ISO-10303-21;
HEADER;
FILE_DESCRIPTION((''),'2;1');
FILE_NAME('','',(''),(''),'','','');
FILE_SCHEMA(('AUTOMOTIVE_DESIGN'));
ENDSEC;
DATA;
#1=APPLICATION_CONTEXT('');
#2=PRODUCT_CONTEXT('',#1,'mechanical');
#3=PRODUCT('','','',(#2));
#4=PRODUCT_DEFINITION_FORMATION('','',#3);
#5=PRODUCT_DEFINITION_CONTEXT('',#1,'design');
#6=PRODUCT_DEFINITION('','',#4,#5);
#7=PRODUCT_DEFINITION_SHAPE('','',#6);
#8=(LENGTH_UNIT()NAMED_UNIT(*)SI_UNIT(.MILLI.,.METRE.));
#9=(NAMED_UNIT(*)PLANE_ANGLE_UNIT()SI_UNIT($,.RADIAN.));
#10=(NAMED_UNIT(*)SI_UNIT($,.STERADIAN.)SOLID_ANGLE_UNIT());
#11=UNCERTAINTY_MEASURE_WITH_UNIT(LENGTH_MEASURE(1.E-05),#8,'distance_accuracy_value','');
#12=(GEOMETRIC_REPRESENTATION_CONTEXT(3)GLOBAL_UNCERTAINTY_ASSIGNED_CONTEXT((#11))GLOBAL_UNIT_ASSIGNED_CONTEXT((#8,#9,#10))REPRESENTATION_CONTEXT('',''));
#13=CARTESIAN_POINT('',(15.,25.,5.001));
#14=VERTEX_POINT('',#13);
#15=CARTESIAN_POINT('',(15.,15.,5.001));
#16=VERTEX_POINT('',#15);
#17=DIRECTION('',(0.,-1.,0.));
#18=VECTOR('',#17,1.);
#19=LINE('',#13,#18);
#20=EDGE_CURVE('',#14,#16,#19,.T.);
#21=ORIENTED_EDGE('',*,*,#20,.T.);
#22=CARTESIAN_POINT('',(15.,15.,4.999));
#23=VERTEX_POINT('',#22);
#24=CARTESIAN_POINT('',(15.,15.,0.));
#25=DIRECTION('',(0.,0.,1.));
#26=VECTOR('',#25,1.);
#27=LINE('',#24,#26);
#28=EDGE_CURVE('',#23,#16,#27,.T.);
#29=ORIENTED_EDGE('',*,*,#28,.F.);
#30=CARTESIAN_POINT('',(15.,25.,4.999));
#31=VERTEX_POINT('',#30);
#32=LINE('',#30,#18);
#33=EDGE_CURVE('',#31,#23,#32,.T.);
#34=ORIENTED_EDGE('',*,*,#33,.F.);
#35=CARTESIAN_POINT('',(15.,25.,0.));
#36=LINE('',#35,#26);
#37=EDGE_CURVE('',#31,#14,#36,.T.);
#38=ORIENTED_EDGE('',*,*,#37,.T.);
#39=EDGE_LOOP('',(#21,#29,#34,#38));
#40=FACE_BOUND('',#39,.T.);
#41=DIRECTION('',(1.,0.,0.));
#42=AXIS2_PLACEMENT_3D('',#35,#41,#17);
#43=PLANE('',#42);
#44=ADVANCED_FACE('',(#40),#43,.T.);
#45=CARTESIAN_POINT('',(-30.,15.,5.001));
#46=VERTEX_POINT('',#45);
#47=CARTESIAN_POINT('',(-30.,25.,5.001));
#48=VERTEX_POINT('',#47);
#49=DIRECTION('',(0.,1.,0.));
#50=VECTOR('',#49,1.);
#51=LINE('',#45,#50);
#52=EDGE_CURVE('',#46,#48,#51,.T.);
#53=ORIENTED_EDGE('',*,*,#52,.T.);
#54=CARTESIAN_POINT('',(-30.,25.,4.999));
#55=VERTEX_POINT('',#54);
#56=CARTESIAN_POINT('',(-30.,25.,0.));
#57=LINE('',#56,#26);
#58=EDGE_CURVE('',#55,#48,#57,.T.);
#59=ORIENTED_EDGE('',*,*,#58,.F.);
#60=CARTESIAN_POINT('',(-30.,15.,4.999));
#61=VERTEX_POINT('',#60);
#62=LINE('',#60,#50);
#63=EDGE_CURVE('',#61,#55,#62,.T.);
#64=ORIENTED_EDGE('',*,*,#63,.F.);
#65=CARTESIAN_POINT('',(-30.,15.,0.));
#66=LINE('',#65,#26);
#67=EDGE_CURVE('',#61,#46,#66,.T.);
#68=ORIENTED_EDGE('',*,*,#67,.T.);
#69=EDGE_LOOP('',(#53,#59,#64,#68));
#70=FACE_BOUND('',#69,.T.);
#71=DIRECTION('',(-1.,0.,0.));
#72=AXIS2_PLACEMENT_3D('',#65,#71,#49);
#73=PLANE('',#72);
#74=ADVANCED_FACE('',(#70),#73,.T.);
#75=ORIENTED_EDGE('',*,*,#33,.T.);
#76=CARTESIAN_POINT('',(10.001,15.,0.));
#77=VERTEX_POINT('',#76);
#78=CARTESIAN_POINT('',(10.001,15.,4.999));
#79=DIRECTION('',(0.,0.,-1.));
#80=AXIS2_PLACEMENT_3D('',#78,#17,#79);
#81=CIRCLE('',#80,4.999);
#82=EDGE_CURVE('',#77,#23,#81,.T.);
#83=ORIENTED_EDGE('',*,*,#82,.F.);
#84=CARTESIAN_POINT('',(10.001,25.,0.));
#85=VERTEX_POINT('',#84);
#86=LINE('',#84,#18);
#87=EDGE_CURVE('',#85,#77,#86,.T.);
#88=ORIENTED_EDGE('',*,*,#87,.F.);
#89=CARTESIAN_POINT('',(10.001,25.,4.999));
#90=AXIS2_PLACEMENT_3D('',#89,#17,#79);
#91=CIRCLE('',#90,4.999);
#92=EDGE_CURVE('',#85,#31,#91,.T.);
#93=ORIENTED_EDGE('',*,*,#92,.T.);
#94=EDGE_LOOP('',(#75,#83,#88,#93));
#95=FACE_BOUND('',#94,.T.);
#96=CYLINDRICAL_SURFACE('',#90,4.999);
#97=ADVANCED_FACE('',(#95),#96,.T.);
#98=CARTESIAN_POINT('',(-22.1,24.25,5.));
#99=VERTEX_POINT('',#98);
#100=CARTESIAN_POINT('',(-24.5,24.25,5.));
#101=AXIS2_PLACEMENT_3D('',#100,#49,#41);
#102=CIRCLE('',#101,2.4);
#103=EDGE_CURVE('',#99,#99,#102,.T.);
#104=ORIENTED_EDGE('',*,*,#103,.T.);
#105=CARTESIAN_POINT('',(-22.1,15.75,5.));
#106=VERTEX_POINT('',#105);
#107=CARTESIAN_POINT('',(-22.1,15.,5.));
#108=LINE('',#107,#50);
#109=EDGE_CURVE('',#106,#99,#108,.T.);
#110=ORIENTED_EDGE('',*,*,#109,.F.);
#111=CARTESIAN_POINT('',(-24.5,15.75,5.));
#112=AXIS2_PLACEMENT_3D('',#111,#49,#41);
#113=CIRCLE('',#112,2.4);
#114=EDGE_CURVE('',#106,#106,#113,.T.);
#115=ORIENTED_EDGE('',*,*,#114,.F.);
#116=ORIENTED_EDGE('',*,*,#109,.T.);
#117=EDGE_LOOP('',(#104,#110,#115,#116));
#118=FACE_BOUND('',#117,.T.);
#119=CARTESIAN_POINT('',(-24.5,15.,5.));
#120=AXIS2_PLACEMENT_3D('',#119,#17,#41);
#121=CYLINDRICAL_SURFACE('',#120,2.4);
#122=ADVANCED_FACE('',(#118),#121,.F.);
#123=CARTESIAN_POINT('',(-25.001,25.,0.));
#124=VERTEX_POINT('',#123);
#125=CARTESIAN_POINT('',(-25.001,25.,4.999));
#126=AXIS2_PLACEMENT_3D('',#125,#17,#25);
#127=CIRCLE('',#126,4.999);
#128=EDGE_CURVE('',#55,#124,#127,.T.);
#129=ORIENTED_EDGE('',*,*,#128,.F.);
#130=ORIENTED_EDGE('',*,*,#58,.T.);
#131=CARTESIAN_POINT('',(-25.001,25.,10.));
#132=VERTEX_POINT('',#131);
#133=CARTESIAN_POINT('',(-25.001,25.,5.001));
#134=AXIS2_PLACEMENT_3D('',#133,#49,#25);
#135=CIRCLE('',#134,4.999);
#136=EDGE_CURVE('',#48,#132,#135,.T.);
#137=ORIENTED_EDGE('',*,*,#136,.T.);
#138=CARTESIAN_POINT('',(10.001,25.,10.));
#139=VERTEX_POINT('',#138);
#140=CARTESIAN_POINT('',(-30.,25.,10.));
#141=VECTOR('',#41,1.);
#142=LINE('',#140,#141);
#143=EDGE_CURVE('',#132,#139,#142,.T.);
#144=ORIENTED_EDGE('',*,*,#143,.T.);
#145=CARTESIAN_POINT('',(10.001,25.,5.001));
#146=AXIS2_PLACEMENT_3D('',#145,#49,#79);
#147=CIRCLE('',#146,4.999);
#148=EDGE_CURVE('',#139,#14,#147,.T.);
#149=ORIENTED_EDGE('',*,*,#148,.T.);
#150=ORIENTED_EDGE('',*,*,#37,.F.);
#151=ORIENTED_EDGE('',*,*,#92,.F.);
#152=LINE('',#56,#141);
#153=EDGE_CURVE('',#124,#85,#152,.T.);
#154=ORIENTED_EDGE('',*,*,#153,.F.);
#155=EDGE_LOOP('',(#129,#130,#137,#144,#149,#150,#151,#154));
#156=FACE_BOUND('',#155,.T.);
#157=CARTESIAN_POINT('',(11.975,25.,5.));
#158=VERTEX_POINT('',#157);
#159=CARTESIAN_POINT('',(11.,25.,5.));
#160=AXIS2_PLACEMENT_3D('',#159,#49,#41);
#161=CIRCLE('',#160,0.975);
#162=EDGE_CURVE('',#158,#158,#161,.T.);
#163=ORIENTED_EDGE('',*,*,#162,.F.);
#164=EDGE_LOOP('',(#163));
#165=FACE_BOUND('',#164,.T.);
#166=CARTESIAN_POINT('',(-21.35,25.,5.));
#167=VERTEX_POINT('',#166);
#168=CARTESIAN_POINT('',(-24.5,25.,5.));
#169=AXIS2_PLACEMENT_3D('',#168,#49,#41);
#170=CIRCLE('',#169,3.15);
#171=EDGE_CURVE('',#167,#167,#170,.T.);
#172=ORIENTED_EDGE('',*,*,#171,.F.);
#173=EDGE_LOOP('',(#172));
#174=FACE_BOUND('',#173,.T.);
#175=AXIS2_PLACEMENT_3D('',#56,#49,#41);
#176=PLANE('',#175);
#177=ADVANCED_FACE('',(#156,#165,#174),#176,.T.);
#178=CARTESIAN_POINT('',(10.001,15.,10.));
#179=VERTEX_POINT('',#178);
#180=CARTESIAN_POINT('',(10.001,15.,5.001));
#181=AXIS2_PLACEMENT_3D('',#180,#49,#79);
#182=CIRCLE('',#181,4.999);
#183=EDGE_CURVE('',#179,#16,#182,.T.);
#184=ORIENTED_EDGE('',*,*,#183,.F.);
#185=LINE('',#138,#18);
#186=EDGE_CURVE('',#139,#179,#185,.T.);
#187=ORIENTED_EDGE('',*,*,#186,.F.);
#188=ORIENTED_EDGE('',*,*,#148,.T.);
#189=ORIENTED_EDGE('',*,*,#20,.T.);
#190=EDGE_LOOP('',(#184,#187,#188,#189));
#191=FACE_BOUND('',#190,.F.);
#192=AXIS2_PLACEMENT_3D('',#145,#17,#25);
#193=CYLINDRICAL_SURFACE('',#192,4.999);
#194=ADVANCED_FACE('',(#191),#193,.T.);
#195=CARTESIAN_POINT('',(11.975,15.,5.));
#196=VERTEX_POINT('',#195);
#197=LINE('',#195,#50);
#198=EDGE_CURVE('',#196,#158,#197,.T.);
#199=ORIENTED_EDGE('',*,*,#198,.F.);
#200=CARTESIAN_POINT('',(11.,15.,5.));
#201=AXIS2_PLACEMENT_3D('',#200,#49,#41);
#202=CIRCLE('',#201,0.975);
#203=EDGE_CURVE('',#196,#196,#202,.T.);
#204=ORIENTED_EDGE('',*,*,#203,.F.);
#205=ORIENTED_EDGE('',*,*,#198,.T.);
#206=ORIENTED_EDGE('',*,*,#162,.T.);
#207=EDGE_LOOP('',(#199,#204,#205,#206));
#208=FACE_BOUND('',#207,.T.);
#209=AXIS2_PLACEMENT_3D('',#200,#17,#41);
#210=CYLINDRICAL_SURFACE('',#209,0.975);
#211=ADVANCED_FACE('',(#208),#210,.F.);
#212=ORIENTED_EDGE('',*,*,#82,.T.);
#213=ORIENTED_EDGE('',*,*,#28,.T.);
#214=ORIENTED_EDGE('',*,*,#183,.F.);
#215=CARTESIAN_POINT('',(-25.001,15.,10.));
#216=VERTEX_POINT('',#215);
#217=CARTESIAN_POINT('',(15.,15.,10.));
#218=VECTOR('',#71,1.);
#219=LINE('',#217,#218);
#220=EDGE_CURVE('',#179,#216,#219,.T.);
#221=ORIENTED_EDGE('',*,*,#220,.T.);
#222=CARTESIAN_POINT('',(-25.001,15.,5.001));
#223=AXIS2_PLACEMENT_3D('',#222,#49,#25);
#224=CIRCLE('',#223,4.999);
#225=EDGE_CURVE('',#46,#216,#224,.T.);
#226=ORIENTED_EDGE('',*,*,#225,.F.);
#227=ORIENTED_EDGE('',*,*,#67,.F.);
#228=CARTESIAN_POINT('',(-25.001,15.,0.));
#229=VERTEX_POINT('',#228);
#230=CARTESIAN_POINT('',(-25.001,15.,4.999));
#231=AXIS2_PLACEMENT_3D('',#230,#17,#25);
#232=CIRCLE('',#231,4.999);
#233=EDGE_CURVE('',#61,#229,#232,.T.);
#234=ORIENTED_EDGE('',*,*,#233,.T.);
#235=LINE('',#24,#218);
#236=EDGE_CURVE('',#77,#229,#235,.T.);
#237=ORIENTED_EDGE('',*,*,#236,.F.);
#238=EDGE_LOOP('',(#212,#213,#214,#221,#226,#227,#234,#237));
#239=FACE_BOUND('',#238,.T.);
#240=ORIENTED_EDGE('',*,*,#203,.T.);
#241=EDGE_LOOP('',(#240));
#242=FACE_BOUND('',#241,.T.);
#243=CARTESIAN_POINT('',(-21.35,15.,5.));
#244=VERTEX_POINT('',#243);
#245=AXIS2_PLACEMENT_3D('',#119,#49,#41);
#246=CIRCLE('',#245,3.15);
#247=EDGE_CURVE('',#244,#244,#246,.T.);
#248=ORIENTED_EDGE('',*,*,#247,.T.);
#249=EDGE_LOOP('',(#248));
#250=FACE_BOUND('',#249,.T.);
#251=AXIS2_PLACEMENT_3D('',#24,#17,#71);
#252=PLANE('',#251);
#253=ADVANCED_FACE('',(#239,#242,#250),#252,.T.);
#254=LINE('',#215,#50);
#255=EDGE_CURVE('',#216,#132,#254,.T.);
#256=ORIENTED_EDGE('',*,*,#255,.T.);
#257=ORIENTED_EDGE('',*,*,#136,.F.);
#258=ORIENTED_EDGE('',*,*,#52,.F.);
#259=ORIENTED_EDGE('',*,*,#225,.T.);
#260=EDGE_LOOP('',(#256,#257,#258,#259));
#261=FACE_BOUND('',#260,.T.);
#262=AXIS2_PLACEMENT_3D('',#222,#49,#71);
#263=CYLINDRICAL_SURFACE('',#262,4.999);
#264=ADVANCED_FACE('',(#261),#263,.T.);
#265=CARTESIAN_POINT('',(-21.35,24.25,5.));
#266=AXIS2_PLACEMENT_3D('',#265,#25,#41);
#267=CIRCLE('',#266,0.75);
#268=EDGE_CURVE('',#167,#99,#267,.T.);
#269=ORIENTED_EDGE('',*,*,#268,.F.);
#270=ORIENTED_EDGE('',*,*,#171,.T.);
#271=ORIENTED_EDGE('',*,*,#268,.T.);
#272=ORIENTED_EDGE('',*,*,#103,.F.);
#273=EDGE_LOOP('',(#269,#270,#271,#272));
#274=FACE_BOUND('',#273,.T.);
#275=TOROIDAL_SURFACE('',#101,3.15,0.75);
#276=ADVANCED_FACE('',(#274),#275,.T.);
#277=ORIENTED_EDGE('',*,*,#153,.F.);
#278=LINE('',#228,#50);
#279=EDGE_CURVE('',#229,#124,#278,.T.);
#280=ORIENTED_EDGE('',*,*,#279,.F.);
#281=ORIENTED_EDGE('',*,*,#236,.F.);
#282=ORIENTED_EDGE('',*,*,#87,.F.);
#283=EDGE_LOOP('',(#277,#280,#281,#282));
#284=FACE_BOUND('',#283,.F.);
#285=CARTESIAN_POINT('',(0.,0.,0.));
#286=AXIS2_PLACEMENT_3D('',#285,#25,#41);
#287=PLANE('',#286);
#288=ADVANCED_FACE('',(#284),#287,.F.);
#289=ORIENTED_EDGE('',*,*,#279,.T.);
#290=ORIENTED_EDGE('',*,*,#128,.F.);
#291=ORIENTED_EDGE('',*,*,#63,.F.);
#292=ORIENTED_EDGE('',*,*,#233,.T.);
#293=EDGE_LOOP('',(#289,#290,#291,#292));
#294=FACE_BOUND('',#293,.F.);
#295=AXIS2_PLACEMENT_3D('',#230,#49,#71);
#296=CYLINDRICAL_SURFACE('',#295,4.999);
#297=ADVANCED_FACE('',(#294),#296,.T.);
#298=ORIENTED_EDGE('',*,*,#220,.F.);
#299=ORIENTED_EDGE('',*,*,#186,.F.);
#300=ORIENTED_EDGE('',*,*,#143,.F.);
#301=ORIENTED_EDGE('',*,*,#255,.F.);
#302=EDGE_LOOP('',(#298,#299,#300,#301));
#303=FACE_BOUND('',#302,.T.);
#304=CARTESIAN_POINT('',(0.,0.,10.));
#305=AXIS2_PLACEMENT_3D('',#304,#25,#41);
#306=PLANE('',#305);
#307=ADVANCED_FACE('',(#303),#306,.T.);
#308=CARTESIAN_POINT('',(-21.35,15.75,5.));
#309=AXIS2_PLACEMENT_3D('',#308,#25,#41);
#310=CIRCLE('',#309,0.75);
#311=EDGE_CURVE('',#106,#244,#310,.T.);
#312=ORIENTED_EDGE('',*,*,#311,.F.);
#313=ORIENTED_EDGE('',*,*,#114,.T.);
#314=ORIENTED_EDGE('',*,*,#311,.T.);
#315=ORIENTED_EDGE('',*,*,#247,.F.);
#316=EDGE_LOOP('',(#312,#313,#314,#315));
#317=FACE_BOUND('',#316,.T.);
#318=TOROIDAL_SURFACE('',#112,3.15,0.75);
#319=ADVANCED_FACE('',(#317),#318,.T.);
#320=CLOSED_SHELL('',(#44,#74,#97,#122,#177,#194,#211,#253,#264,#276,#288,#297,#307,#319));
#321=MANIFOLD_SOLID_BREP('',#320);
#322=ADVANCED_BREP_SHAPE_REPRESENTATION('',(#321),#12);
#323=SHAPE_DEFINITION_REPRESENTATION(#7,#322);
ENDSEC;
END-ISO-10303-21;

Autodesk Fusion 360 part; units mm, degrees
sketch "Esquisse1" plane through (0, 0, 0) normal (0, 0, 1) x (1, 0, 0)
  line L0 (-30, 25) -> (15, 25)
  line L1 (15, 25) -> (15, 15)
  line L2 (15, 15) -> (-30, 15)
  line L3 (-30, 15) -> (-30, 25)
  dimension "d21" = 10
  dimension "d22" = 45
extrude "Extrusion1" add sketch "Esquisse1" along normal blind 10
sketch "Esquisse2" plane through (0, 0, 0) normal (0, 1, 0) x (1, 0, 0)
  circle A0 centre (-24.5, -5) radius 2.4
  circle A1 centre (11, -5) radius 0.975
  line L0 (15, 0) -> (15, -10)
  line L1 (-30, 0) -> (-30, -10)
  dimension "d3" = 4.8
  dimension "d4" = 1.95
  dimension "d25" = 4
  dimension "d26" = 5.5
extrude "Extrusion2" cut sketch "Esquisse2" along normal blind 25 and the other way blind -15
fillet "Congé4" radius 5 4 edges at (-30, 20, 10) (15, 20, 10) (15, 20, 0) (-30, 20, 0)
fillet "Congé5" radius 0.75 2 edges at (-26.7376, 15, 5.8679) (-26.7376, 25, 4.1321)
